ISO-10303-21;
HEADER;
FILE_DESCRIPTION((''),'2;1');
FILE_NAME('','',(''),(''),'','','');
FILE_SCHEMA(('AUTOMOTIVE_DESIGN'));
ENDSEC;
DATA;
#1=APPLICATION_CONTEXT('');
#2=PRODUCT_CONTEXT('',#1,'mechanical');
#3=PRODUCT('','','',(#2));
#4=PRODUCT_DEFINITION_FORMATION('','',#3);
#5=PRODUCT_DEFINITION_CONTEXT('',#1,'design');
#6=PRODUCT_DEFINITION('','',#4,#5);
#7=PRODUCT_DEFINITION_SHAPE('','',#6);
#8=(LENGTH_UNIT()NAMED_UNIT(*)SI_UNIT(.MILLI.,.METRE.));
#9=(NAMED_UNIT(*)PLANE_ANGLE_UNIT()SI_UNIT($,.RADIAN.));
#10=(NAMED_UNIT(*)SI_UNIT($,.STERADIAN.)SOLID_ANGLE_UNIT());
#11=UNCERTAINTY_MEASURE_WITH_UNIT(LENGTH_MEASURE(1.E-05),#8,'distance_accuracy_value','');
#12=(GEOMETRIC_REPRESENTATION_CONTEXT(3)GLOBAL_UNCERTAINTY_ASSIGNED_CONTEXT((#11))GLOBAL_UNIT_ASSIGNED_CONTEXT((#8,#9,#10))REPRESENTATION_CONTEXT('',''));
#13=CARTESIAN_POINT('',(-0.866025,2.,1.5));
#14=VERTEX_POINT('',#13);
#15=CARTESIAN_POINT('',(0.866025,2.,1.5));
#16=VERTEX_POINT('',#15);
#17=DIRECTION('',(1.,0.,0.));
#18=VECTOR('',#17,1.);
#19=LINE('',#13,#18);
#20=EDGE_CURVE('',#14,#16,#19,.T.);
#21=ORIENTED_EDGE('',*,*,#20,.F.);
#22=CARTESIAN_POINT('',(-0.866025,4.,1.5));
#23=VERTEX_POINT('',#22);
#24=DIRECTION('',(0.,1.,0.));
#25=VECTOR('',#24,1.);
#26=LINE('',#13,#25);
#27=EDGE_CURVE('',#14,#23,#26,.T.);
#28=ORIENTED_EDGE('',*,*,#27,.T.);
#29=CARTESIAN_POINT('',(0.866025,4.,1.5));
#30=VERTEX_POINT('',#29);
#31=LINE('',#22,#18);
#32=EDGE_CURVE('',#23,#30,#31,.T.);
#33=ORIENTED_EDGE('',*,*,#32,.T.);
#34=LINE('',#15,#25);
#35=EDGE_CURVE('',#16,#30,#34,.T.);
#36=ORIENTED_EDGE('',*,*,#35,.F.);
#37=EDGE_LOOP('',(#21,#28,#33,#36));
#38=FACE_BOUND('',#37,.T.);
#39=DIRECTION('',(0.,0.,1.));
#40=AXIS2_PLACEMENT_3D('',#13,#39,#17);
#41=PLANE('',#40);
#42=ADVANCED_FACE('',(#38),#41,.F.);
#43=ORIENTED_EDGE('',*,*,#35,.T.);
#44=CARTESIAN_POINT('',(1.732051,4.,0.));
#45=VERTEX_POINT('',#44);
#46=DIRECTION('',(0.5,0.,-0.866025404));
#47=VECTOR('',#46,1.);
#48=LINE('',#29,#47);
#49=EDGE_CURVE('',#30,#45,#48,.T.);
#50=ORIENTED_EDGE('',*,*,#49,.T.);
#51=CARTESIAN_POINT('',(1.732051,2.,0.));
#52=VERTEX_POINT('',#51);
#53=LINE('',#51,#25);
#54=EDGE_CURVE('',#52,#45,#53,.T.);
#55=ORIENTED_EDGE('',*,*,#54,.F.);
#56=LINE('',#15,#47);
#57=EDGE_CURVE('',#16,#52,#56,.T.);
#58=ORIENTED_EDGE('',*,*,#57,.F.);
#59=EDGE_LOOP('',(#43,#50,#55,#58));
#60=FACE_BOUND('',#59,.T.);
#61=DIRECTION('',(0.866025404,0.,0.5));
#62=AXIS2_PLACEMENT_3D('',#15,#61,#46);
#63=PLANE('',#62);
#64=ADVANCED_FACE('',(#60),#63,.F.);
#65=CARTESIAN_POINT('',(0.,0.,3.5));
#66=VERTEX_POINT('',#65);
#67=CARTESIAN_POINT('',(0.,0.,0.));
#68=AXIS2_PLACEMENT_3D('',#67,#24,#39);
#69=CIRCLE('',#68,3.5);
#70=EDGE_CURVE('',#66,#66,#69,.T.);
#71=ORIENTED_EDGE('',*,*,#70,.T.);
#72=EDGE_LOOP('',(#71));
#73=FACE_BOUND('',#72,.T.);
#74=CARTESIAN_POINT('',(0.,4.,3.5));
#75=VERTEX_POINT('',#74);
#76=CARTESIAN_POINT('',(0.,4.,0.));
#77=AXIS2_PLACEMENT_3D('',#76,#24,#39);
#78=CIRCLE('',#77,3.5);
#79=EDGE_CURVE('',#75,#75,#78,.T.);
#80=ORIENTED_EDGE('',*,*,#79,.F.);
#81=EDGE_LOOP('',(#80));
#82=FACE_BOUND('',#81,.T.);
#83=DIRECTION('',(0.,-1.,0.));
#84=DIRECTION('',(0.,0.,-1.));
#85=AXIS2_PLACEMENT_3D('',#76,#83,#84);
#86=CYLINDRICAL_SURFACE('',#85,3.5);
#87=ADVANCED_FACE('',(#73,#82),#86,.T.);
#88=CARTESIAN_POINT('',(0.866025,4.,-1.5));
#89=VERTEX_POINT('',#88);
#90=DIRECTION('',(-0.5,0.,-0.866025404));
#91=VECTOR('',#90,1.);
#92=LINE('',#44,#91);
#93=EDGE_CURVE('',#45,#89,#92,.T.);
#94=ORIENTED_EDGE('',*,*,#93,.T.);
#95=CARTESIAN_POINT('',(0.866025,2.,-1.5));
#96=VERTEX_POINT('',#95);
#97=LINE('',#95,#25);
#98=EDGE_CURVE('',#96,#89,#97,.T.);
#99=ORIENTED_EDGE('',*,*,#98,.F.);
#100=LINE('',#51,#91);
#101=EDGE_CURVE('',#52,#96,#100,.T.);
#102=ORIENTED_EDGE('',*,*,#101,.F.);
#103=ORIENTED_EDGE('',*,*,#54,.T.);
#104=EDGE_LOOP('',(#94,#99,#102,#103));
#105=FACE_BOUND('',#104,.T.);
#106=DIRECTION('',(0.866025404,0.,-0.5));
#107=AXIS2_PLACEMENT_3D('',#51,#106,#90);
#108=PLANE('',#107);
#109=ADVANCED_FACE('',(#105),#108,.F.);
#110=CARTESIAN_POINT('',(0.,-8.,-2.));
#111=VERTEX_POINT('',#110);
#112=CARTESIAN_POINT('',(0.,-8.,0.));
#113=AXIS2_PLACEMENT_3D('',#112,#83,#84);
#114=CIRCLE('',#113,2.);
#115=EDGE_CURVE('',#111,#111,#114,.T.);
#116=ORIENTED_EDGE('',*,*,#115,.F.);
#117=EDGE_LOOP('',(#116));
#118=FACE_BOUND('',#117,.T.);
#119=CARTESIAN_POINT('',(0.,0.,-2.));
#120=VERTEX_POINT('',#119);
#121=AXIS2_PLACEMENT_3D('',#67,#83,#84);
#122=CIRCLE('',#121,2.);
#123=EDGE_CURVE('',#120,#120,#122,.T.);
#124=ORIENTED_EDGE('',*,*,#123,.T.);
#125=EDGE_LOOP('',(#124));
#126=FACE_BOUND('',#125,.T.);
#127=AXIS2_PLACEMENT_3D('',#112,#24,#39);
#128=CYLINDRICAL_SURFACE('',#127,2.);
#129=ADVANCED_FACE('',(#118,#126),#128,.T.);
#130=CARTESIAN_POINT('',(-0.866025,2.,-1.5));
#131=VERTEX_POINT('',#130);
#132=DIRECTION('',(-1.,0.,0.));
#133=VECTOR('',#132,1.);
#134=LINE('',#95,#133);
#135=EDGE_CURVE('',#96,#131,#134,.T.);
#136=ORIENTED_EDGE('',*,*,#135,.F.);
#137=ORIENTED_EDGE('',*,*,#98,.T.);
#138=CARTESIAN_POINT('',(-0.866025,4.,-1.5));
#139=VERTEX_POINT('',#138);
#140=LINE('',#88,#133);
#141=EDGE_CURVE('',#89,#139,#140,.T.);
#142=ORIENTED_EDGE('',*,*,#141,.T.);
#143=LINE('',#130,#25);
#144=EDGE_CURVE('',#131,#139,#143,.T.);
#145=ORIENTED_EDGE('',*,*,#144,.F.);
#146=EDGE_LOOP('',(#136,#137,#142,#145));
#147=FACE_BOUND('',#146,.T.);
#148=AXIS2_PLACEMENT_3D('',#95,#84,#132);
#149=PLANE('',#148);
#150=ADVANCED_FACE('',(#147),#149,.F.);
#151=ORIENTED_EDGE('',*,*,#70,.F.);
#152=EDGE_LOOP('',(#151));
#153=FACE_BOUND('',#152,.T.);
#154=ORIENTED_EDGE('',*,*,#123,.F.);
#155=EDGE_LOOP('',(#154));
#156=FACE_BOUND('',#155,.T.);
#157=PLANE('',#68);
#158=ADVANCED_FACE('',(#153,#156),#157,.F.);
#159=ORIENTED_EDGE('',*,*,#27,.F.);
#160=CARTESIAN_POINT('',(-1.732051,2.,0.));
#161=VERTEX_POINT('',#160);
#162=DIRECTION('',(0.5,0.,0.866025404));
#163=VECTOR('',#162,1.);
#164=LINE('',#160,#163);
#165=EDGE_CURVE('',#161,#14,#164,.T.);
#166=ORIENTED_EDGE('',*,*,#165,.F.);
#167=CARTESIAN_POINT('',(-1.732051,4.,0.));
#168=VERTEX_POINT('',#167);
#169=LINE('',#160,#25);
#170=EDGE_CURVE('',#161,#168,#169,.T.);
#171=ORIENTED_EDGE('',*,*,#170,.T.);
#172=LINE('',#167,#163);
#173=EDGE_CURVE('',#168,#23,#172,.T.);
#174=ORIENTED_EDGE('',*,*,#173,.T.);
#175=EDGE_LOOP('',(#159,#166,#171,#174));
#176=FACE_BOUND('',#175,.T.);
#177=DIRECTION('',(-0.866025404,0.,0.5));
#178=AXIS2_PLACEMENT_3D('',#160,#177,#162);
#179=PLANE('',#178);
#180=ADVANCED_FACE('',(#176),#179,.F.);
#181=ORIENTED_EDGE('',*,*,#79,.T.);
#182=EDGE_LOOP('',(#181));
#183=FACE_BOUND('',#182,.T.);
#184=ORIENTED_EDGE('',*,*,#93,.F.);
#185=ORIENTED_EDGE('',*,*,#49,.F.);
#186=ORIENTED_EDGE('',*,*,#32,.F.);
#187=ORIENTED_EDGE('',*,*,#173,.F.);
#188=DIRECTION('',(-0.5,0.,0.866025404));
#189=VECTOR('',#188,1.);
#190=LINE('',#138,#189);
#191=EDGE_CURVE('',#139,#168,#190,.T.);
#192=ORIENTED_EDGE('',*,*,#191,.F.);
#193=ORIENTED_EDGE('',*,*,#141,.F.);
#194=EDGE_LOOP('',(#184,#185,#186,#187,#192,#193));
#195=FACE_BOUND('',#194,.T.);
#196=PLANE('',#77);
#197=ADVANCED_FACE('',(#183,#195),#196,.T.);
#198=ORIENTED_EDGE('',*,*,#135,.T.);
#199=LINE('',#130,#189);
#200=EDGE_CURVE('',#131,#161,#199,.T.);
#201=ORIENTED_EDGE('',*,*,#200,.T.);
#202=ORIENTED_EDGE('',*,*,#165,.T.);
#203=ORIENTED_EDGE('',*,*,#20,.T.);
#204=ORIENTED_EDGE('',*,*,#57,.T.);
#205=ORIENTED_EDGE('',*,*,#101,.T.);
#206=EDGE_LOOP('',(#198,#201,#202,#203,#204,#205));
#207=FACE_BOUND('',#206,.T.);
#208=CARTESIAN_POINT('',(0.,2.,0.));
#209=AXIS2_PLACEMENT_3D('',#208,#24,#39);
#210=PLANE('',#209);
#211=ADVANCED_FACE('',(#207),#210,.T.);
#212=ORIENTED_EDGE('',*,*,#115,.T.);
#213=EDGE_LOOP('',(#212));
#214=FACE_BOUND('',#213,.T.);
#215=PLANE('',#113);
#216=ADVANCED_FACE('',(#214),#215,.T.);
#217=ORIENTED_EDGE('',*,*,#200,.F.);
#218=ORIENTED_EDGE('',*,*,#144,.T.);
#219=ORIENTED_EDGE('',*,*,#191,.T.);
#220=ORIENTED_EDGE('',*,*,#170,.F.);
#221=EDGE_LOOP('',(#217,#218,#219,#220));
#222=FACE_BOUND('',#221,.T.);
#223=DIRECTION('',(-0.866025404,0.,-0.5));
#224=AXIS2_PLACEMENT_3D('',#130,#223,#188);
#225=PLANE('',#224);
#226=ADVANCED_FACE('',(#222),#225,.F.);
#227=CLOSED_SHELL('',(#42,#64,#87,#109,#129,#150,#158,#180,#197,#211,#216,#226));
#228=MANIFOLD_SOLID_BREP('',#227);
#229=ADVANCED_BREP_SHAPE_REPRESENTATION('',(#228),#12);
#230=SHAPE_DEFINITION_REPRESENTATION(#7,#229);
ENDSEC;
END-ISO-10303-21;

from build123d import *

# Parameters (mm, degrees)
SKETCH_1_R            = 3.5
EXTRUDE_246_DEPTH     = 4
CUT_EXTRUDE_376_DEPTH = 2
SKETCH_3_R            = 2
EXTRUDE_477_DEPTH     = 8


with BuildPart() as part:
    # 草图1 → Extrude 246 (new body)
    with BuildSketch(Plane(origin=(0, 0, 0), x_dir=(1, 0, 0), z_dir=(0, 1, 0))):
        Circle(SKETCH_1_R)
    extrude(amount=EXTRUDE_246_DEPTH)

    # 草图2 → Cut-Extrude 376 (cut)
    with BuildSketch(Plane(origin=(0, 4, 0), x_dir=(1, 0, 0), z_dir=(0, 1, 0))):
        Polygon((1.732050808, 0), (0.866025404, 1.5), (-0.866025404, 1.5), (-1.732050808, 0), (-0.866025404, -1.5), (0.866025404, -1.5), align=None)
    extrude(amount=-CUT_EXTRUDE_376_DEPTH, mode=Mode.SUBTRACT)

    # 草图3 → Extrude 477 (add)
    with BuildSketch(Plane.XZ):
        Circle(SKETCH_3_R)
    extrude(amount=EXTRUDE_477_DEPTH)


solid = part.part
